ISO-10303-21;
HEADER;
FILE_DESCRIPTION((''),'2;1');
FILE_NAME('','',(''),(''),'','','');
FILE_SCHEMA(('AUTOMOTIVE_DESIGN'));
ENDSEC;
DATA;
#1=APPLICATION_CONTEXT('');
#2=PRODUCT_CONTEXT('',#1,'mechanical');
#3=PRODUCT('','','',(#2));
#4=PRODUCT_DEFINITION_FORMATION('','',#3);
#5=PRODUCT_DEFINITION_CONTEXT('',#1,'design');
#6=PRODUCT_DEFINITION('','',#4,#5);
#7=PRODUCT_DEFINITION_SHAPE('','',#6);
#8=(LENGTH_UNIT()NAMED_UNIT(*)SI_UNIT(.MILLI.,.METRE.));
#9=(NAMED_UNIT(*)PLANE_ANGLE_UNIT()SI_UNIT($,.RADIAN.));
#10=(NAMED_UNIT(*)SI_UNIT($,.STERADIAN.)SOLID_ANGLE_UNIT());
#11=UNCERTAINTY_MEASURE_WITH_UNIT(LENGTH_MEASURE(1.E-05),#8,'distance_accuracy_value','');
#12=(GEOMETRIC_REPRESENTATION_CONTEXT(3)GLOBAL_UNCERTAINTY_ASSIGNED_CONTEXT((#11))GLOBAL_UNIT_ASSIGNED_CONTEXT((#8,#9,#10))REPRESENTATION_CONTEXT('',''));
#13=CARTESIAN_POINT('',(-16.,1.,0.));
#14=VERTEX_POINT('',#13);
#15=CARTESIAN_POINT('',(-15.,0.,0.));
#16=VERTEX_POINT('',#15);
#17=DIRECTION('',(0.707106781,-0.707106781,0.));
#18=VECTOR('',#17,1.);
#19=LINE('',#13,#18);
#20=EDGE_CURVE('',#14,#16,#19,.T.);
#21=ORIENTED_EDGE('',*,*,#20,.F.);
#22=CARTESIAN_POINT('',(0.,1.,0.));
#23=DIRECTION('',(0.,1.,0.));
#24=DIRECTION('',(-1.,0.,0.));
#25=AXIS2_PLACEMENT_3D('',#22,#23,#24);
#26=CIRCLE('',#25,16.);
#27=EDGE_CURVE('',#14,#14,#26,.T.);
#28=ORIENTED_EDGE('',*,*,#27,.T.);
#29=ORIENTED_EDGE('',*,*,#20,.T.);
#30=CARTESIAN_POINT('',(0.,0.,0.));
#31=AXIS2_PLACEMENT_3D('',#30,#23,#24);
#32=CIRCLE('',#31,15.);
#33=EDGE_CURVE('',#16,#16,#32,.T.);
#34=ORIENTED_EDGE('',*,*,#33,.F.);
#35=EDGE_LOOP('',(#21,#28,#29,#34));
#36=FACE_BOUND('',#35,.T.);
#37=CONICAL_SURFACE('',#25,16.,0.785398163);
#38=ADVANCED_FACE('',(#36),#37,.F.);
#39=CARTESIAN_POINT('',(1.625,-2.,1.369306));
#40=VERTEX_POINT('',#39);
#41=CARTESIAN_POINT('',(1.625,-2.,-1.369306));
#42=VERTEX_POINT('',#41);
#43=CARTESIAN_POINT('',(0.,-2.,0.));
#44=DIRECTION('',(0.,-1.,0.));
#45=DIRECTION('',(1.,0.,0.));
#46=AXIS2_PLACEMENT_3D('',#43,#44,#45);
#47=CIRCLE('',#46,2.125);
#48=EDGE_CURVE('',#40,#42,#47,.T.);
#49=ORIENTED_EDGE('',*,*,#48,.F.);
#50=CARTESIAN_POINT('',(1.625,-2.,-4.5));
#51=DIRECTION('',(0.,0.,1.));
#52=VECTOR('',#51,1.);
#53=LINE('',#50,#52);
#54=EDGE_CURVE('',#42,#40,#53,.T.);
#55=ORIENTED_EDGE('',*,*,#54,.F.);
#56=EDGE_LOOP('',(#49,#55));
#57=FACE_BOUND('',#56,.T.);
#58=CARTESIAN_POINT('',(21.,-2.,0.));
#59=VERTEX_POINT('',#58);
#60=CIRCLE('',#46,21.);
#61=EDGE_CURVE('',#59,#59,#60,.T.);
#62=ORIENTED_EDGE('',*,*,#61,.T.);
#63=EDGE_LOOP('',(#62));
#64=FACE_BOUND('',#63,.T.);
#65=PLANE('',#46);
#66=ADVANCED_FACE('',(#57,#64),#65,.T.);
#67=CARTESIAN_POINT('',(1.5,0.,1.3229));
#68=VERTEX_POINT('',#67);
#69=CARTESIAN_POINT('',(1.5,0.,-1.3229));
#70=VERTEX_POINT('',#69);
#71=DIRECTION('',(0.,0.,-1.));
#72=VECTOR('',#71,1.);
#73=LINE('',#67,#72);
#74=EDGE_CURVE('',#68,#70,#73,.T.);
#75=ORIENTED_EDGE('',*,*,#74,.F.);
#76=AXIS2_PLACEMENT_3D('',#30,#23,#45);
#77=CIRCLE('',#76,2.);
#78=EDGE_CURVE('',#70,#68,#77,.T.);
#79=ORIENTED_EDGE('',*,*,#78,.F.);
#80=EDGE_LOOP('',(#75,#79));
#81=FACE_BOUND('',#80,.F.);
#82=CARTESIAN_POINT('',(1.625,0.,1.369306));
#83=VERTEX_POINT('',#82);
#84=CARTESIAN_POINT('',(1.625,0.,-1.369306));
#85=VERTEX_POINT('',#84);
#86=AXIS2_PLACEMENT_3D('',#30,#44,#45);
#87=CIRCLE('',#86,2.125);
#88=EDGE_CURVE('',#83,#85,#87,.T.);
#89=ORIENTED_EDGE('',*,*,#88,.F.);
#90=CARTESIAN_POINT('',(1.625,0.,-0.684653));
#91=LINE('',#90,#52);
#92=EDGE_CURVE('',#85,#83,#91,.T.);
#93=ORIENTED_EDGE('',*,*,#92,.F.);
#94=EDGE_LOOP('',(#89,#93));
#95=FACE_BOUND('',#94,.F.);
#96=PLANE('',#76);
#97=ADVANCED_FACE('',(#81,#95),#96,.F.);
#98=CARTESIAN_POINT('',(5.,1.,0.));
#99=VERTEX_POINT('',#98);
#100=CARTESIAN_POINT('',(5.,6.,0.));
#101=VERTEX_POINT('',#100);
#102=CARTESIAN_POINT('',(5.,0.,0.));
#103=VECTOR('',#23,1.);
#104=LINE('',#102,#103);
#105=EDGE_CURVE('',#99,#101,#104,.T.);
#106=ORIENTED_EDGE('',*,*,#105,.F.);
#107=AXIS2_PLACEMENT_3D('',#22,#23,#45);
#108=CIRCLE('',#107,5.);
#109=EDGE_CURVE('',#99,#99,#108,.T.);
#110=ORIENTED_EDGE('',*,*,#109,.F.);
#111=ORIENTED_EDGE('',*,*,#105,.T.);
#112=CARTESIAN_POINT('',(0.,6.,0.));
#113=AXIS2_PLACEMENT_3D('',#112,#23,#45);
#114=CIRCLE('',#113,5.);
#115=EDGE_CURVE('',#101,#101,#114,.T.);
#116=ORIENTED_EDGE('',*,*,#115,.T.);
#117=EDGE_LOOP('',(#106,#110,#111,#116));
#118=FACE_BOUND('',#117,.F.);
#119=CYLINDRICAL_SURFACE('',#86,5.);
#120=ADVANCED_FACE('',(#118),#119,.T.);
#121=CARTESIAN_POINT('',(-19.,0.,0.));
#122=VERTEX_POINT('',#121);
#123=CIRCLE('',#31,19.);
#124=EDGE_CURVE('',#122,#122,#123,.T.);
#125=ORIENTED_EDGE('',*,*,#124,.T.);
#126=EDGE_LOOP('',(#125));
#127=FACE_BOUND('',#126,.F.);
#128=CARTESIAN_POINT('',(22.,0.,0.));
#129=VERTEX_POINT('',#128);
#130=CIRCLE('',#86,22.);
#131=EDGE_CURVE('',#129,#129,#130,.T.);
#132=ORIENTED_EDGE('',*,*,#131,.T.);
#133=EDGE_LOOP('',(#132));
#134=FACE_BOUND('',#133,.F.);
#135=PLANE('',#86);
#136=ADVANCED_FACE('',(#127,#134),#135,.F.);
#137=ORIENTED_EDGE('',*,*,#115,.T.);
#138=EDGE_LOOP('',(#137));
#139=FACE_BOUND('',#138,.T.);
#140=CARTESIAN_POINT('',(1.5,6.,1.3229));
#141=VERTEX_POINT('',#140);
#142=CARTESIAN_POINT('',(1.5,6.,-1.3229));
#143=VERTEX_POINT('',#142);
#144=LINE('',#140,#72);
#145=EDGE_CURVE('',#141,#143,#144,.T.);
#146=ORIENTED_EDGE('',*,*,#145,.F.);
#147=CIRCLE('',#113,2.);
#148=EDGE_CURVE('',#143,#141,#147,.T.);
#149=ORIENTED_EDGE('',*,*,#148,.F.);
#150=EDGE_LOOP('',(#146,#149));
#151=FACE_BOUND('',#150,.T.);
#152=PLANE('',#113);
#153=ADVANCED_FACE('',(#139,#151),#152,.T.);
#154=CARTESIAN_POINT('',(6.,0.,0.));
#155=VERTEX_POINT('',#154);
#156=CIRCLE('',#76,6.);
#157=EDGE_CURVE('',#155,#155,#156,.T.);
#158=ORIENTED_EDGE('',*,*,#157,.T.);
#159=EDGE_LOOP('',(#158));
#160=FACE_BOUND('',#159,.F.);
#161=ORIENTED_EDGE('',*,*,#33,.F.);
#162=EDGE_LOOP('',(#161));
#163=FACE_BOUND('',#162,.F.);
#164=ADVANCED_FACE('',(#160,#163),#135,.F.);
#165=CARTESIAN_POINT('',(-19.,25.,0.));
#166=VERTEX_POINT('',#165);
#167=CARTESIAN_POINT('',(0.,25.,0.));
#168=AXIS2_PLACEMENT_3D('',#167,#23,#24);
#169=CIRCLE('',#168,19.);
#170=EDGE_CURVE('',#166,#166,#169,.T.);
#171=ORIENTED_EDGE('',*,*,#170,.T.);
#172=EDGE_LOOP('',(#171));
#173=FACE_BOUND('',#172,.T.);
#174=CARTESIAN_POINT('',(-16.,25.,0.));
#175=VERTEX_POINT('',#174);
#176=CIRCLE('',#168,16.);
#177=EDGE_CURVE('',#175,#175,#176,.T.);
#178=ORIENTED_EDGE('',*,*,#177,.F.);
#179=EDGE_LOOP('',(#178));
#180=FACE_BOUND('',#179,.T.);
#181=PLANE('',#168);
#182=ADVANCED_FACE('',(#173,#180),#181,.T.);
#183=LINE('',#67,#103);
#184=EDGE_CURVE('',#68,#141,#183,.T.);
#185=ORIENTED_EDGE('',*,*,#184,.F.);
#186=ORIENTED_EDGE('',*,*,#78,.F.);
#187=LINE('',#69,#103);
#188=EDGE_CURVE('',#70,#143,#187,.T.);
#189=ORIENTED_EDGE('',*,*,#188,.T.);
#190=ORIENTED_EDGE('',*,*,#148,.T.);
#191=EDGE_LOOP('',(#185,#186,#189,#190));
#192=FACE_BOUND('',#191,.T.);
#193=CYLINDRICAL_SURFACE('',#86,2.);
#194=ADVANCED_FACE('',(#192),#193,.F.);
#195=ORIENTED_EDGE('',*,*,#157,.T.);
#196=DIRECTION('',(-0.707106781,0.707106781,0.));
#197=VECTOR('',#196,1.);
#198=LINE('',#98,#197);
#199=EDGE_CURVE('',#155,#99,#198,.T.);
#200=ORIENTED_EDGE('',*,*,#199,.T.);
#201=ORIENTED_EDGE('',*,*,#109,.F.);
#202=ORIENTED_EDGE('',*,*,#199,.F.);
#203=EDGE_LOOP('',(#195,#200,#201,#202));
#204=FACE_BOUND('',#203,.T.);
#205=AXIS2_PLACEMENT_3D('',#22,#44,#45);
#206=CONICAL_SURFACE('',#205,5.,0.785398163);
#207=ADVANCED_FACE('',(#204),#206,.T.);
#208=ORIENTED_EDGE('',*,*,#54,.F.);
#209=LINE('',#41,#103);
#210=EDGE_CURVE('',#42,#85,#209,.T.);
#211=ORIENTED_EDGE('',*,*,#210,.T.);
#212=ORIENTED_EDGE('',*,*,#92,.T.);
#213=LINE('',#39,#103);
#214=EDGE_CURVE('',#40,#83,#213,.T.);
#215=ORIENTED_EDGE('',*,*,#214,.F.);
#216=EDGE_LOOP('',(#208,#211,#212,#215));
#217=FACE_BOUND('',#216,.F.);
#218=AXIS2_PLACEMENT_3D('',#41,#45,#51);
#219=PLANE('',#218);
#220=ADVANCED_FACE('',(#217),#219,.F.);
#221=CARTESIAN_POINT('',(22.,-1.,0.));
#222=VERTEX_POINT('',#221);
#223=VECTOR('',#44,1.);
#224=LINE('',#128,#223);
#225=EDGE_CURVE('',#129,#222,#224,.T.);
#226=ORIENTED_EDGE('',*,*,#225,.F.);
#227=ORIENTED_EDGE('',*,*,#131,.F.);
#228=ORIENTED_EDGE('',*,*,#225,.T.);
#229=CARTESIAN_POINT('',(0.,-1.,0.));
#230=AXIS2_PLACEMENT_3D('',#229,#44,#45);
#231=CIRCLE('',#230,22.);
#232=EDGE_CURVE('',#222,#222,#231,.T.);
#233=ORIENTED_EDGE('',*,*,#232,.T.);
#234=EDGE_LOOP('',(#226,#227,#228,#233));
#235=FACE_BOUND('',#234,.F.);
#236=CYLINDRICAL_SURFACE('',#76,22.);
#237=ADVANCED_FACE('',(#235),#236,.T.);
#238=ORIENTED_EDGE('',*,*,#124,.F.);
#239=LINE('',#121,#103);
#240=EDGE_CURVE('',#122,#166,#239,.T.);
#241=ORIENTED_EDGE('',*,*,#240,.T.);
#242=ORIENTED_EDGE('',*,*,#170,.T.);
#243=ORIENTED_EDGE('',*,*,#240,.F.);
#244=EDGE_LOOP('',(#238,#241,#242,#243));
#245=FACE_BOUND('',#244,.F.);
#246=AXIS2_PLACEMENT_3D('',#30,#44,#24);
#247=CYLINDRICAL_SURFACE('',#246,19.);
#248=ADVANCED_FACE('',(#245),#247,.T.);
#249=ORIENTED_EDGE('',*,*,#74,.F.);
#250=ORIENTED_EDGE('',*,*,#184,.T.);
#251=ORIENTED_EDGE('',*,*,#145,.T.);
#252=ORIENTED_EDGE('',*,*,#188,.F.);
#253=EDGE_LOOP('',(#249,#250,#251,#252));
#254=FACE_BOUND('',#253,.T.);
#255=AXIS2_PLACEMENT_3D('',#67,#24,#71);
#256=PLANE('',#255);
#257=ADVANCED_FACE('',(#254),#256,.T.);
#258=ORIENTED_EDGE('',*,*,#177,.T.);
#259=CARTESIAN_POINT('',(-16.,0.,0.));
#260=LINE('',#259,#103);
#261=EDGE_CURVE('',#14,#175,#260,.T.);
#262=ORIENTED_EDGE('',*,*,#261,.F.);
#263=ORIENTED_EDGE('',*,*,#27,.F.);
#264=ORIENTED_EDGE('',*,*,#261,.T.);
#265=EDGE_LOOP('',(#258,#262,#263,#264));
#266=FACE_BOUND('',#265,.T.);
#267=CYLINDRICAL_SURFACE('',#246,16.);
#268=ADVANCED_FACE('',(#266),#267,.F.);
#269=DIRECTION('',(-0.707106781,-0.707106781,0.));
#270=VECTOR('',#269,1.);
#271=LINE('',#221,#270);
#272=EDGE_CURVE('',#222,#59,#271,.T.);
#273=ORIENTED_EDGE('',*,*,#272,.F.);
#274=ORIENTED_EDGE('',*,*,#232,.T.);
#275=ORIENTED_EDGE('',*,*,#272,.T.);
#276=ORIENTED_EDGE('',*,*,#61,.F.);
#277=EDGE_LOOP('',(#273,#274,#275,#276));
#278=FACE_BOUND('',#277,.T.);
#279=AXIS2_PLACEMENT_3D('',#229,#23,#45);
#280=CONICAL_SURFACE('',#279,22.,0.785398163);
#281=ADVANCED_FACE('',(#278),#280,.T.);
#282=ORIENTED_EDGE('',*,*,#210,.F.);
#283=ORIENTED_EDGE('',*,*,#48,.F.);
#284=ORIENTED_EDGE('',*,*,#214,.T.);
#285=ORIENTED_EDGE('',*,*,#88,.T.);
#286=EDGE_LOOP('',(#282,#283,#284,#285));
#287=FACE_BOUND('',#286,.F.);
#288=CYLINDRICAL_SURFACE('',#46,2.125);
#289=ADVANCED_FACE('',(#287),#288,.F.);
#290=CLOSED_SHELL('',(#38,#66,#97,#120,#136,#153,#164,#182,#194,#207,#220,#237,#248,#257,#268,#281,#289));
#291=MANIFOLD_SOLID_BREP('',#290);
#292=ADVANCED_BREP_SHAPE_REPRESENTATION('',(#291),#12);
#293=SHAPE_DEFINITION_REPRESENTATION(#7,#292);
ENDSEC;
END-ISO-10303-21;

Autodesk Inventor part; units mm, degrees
ref_plane "YZ Plane" through (0, 0, 0) normal (1, 0, 0) x (0, 1, 0)
ref_plane "XZ Plane" through (0, 0, 0) normal (0, 1, 0) x (-1, 0, 0)
sketch "Sketch1" plane through (0, 0, 0) normal (0, 1, 0) x (-1, 0, 0)
  circle A0 centre (0, 0) radius 19
  circle A1 centre (0, 0) radius 16
  dimension "d0" = 38
  dimension "d1" = 3
extrude "Extrusion1" add sketch "Sketch1" along normal blind 25
sketch "Sketch2" plane through (0, 0, 0) normal (0, -1, 0) x (1, 0, 0)
  circle A0 centre (0, 0) radius 22
  circle A1 centre (0, 0) radius 19 projected
  dimension "d4" = 3
extrude "Extrusion2" add sketch "Sketch2" along normal blind 2 contours A0 | A1
ref_plane "Work Plane1" through (0, -2, 0) normal (0, -1, 0) x (1, 0, 0)
sketch "Sketch3" plane through (0, -2, 0) normal (0, -1, 0) x (1, 0, 0)
  circle A0 centre (0, 0) radius 2.125
  line L0 (1.625, -4.5) -> (1.625, 4.5)
  point P0 (1.625, -1.3693)
  point P1 (1.625, 1.3693)
  dimension "d8" = 4.25
  dimension "d9" = 9
  dimension "d10" = 4.5
  dimension "d11" = 1.625
extrude "Extrusion3" cut sketch "Sketch3" against normal blind 28 contours L0 A0 picked at (0.375, 0)
sketch "Sketch4" plane through (0, 0, 0) normal (0, 1, 0) x (1, 0, 0)
  circle A0 centre (0, 0) radius 5
  circle A1 centre (0, 0) radius 2
  line L0 (1.5, -1.3229) -> (1.5, 1.3229) projected
  line L1 (1.5, 1.3229) -> (1.5, -1.3229)
  dimension "d14" = 3
  dimension "d15" = 4
extrude "Extrusion4" add sketch "Sketch4" along normal blind 6 contours A0 | A1 L0 picked at (1.5908, -0.3089)
chamfer "Chamfer1" distance 1 angle 45 1 edges at (-22, -2, 0)
chamfer "Chamfer2" distance 1 angle 45 2 edges at (16, 0, 0) (-5, 0, 0)
properties part number "Kolo" material "Glass"
